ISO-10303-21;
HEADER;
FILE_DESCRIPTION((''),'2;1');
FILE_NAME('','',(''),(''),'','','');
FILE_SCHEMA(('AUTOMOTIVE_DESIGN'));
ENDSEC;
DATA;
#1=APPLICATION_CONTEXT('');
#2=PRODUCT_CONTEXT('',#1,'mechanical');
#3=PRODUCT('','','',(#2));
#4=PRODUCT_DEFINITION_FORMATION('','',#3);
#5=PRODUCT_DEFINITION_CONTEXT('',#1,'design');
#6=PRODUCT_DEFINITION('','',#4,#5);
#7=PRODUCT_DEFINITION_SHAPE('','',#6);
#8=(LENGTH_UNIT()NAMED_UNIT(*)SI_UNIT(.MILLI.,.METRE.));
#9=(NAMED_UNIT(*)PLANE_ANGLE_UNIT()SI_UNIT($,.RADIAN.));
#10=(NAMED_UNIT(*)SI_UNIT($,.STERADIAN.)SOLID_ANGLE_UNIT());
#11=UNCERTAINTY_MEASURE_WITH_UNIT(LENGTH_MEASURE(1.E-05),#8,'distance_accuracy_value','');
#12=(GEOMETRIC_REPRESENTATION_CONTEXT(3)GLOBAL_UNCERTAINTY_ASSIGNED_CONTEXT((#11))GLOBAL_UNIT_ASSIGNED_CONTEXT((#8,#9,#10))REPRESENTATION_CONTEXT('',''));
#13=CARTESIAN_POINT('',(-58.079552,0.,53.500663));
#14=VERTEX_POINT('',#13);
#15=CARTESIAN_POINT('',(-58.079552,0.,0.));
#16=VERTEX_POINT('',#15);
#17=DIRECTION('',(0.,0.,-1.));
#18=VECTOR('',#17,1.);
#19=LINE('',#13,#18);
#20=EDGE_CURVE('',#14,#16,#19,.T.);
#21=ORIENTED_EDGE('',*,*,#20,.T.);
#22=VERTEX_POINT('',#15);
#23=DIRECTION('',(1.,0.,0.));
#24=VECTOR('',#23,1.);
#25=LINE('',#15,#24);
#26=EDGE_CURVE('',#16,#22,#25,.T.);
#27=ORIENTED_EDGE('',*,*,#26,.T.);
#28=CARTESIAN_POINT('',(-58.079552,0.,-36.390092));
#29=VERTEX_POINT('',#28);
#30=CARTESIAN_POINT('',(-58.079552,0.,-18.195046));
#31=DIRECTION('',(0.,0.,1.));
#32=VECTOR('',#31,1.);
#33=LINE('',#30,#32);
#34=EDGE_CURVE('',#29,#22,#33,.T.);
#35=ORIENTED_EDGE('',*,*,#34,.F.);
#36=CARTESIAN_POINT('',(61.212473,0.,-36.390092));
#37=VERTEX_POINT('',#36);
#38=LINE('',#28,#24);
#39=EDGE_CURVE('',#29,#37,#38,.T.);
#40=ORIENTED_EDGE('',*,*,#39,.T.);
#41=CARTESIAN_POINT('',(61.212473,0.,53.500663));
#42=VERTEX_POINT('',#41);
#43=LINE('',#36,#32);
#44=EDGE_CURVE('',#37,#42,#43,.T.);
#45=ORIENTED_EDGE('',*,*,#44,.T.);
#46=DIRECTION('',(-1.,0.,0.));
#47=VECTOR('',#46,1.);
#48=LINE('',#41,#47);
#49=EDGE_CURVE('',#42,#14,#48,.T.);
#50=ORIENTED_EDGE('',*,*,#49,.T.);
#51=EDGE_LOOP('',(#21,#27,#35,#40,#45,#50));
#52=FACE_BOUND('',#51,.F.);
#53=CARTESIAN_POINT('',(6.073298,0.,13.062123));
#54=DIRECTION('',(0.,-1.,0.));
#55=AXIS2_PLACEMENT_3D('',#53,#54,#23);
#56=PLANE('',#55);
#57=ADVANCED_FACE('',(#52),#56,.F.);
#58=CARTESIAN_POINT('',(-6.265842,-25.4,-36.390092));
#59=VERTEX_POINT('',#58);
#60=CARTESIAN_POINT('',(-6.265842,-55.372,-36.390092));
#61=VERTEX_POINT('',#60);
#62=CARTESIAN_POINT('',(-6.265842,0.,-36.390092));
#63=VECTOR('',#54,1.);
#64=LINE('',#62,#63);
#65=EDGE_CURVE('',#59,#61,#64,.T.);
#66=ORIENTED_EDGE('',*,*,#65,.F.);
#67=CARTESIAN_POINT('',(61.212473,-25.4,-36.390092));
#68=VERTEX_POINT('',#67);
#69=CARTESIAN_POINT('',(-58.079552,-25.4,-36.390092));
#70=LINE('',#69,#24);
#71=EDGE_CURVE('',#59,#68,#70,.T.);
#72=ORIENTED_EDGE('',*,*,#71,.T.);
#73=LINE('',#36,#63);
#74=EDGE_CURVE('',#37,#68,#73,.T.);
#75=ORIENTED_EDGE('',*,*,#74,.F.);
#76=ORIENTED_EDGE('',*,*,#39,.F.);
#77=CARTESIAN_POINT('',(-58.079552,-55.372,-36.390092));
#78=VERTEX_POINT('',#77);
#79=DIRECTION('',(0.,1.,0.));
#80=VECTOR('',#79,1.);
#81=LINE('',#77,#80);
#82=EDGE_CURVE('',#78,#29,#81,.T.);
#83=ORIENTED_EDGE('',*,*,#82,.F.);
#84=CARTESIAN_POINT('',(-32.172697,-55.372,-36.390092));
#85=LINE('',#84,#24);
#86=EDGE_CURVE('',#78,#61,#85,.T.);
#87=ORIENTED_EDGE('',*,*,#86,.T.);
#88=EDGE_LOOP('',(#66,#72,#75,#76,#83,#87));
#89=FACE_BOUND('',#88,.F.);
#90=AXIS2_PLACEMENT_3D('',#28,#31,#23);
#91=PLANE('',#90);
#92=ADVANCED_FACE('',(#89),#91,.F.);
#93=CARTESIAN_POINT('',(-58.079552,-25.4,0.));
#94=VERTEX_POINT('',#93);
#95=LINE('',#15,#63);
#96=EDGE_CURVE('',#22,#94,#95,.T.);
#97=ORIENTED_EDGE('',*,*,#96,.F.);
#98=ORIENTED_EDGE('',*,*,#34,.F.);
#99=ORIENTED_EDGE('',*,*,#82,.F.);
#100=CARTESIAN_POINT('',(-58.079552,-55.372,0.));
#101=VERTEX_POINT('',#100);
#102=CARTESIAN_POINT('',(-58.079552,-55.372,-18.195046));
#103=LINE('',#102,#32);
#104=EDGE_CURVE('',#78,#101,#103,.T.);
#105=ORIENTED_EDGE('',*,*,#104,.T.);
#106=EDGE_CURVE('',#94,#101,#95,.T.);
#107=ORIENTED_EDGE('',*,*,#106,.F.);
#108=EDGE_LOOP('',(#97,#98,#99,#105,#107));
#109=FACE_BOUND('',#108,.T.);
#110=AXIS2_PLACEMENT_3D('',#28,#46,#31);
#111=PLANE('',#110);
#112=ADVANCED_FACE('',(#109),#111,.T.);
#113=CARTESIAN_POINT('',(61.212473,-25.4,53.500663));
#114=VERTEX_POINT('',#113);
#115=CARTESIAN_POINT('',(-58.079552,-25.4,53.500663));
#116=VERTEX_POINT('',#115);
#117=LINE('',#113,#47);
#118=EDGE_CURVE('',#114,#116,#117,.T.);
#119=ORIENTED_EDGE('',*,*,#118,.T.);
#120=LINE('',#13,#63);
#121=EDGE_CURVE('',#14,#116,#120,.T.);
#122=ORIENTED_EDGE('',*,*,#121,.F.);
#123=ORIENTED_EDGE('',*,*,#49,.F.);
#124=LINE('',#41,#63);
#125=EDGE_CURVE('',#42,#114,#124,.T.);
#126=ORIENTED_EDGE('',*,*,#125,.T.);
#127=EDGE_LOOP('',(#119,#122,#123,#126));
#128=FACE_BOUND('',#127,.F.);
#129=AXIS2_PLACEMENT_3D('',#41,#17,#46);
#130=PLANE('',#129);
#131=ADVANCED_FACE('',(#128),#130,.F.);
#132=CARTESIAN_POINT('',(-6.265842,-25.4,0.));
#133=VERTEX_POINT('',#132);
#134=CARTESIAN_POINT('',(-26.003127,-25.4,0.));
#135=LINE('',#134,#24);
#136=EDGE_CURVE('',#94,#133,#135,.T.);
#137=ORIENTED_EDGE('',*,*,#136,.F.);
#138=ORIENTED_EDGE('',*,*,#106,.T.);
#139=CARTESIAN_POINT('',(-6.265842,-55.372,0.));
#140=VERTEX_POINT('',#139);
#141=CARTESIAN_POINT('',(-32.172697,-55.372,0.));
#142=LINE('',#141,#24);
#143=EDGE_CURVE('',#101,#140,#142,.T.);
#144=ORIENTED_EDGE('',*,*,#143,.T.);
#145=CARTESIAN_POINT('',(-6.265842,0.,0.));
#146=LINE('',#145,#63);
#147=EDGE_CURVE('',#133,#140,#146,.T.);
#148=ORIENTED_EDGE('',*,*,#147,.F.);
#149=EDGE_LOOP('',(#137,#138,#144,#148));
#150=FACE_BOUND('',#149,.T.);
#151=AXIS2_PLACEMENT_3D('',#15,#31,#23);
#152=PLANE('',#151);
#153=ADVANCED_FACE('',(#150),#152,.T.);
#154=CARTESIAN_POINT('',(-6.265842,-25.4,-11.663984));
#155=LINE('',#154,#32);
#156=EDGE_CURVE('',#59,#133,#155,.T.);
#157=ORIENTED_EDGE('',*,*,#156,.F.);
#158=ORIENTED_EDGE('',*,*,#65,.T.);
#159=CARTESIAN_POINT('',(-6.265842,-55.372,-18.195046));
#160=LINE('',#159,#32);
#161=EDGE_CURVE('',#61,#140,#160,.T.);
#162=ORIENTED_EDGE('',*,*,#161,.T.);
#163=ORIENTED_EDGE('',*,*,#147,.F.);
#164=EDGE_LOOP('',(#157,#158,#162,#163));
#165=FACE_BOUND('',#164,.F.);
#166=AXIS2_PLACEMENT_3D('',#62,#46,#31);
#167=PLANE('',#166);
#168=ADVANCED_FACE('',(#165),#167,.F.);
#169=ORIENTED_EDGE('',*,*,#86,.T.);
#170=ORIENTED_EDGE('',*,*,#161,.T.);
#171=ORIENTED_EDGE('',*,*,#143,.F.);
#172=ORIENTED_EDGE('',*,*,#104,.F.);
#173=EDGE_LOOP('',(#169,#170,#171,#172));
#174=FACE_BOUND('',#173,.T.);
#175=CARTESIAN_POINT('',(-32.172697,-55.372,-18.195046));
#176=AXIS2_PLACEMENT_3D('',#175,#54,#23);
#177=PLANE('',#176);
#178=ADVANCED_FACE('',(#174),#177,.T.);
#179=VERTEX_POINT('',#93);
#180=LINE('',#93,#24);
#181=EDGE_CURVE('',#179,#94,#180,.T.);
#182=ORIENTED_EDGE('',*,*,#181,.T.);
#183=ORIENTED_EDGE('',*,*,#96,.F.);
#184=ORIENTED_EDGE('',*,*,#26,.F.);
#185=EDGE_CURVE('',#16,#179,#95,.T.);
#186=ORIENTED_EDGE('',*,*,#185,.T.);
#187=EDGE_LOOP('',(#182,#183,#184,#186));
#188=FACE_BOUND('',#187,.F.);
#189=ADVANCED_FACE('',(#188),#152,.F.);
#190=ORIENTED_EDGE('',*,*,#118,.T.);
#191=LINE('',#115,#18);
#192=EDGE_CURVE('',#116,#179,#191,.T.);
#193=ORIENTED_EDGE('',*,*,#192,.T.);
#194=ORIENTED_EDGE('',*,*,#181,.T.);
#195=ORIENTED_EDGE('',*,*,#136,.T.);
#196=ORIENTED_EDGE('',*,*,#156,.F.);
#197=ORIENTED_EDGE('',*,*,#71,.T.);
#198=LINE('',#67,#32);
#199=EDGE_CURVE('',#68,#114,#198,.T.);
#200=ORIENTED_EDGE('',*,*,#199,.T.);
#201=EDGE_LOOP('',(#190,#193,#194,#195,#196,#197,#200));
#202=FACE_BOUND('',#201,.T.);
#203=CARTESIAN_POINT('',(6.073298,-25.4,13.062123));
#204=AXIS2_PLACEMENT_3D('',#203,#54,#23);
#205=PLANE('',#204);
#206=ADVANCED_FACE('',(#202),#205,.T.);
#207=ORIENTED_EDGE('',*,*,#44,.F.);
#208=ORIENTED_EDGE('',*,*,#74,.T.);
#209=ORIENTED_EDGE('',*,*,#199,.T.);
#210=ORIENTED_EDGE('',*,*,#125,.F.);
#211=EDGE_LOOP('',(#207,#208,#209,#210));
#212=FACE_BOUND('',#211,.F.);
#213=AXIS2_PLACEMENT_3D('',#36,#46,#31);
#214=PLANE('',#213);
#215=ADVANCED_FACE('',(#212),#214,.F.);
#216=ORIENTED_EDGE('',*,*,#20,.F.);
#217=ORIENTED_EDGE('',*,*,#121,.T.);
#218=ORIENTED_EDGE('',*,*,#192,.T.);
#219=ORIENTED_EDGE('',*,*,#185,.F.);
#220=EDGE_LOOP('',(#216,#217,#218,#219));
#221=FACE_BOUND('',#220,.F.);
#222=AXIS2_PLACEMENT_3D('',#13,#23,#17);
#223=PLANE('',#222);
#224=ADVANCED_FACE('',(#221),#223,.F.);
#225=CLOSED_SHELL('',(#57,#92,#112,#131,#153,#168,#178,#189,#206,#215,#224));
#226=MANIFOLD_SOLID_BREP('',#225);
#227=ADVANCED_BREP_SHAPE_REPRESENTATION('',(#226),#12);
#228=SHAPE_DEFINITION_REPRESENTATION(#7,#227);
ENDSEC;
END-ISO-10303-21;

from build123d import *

# Parameters (mm, degrees)
F0_W     = 51.813709
F0_H     = 36.390092
F1_DEPTH = 55.372
F2_DEPTH = 25.4


with BuildPart() as f1:
    # F0 (on Front) → F1 (new body)
    with BuildSketch(Plane.XZ):
        with Locations((-32.172697, -18.195046)):
            Rectangle(F0_W, F0_H)
    extrude(amount=F1_DEPTH)

    # F0 (on Front) → F2 (join)
    with BuildSketch(Plane.XZ):
        Polygon((61.212473, 53.500663), (-58.079552, 53.500663), (-58.079552, 0), (-6.265843, 0), (-6.265843, -36.390092), (61.212473, -36.390092), align=None)
        with Locations((-32.172697, -18.195046)):
            Rectangle(F0_W, F0_H)
    extrude(amount=F2_DEPTH)


solid = f1.part
